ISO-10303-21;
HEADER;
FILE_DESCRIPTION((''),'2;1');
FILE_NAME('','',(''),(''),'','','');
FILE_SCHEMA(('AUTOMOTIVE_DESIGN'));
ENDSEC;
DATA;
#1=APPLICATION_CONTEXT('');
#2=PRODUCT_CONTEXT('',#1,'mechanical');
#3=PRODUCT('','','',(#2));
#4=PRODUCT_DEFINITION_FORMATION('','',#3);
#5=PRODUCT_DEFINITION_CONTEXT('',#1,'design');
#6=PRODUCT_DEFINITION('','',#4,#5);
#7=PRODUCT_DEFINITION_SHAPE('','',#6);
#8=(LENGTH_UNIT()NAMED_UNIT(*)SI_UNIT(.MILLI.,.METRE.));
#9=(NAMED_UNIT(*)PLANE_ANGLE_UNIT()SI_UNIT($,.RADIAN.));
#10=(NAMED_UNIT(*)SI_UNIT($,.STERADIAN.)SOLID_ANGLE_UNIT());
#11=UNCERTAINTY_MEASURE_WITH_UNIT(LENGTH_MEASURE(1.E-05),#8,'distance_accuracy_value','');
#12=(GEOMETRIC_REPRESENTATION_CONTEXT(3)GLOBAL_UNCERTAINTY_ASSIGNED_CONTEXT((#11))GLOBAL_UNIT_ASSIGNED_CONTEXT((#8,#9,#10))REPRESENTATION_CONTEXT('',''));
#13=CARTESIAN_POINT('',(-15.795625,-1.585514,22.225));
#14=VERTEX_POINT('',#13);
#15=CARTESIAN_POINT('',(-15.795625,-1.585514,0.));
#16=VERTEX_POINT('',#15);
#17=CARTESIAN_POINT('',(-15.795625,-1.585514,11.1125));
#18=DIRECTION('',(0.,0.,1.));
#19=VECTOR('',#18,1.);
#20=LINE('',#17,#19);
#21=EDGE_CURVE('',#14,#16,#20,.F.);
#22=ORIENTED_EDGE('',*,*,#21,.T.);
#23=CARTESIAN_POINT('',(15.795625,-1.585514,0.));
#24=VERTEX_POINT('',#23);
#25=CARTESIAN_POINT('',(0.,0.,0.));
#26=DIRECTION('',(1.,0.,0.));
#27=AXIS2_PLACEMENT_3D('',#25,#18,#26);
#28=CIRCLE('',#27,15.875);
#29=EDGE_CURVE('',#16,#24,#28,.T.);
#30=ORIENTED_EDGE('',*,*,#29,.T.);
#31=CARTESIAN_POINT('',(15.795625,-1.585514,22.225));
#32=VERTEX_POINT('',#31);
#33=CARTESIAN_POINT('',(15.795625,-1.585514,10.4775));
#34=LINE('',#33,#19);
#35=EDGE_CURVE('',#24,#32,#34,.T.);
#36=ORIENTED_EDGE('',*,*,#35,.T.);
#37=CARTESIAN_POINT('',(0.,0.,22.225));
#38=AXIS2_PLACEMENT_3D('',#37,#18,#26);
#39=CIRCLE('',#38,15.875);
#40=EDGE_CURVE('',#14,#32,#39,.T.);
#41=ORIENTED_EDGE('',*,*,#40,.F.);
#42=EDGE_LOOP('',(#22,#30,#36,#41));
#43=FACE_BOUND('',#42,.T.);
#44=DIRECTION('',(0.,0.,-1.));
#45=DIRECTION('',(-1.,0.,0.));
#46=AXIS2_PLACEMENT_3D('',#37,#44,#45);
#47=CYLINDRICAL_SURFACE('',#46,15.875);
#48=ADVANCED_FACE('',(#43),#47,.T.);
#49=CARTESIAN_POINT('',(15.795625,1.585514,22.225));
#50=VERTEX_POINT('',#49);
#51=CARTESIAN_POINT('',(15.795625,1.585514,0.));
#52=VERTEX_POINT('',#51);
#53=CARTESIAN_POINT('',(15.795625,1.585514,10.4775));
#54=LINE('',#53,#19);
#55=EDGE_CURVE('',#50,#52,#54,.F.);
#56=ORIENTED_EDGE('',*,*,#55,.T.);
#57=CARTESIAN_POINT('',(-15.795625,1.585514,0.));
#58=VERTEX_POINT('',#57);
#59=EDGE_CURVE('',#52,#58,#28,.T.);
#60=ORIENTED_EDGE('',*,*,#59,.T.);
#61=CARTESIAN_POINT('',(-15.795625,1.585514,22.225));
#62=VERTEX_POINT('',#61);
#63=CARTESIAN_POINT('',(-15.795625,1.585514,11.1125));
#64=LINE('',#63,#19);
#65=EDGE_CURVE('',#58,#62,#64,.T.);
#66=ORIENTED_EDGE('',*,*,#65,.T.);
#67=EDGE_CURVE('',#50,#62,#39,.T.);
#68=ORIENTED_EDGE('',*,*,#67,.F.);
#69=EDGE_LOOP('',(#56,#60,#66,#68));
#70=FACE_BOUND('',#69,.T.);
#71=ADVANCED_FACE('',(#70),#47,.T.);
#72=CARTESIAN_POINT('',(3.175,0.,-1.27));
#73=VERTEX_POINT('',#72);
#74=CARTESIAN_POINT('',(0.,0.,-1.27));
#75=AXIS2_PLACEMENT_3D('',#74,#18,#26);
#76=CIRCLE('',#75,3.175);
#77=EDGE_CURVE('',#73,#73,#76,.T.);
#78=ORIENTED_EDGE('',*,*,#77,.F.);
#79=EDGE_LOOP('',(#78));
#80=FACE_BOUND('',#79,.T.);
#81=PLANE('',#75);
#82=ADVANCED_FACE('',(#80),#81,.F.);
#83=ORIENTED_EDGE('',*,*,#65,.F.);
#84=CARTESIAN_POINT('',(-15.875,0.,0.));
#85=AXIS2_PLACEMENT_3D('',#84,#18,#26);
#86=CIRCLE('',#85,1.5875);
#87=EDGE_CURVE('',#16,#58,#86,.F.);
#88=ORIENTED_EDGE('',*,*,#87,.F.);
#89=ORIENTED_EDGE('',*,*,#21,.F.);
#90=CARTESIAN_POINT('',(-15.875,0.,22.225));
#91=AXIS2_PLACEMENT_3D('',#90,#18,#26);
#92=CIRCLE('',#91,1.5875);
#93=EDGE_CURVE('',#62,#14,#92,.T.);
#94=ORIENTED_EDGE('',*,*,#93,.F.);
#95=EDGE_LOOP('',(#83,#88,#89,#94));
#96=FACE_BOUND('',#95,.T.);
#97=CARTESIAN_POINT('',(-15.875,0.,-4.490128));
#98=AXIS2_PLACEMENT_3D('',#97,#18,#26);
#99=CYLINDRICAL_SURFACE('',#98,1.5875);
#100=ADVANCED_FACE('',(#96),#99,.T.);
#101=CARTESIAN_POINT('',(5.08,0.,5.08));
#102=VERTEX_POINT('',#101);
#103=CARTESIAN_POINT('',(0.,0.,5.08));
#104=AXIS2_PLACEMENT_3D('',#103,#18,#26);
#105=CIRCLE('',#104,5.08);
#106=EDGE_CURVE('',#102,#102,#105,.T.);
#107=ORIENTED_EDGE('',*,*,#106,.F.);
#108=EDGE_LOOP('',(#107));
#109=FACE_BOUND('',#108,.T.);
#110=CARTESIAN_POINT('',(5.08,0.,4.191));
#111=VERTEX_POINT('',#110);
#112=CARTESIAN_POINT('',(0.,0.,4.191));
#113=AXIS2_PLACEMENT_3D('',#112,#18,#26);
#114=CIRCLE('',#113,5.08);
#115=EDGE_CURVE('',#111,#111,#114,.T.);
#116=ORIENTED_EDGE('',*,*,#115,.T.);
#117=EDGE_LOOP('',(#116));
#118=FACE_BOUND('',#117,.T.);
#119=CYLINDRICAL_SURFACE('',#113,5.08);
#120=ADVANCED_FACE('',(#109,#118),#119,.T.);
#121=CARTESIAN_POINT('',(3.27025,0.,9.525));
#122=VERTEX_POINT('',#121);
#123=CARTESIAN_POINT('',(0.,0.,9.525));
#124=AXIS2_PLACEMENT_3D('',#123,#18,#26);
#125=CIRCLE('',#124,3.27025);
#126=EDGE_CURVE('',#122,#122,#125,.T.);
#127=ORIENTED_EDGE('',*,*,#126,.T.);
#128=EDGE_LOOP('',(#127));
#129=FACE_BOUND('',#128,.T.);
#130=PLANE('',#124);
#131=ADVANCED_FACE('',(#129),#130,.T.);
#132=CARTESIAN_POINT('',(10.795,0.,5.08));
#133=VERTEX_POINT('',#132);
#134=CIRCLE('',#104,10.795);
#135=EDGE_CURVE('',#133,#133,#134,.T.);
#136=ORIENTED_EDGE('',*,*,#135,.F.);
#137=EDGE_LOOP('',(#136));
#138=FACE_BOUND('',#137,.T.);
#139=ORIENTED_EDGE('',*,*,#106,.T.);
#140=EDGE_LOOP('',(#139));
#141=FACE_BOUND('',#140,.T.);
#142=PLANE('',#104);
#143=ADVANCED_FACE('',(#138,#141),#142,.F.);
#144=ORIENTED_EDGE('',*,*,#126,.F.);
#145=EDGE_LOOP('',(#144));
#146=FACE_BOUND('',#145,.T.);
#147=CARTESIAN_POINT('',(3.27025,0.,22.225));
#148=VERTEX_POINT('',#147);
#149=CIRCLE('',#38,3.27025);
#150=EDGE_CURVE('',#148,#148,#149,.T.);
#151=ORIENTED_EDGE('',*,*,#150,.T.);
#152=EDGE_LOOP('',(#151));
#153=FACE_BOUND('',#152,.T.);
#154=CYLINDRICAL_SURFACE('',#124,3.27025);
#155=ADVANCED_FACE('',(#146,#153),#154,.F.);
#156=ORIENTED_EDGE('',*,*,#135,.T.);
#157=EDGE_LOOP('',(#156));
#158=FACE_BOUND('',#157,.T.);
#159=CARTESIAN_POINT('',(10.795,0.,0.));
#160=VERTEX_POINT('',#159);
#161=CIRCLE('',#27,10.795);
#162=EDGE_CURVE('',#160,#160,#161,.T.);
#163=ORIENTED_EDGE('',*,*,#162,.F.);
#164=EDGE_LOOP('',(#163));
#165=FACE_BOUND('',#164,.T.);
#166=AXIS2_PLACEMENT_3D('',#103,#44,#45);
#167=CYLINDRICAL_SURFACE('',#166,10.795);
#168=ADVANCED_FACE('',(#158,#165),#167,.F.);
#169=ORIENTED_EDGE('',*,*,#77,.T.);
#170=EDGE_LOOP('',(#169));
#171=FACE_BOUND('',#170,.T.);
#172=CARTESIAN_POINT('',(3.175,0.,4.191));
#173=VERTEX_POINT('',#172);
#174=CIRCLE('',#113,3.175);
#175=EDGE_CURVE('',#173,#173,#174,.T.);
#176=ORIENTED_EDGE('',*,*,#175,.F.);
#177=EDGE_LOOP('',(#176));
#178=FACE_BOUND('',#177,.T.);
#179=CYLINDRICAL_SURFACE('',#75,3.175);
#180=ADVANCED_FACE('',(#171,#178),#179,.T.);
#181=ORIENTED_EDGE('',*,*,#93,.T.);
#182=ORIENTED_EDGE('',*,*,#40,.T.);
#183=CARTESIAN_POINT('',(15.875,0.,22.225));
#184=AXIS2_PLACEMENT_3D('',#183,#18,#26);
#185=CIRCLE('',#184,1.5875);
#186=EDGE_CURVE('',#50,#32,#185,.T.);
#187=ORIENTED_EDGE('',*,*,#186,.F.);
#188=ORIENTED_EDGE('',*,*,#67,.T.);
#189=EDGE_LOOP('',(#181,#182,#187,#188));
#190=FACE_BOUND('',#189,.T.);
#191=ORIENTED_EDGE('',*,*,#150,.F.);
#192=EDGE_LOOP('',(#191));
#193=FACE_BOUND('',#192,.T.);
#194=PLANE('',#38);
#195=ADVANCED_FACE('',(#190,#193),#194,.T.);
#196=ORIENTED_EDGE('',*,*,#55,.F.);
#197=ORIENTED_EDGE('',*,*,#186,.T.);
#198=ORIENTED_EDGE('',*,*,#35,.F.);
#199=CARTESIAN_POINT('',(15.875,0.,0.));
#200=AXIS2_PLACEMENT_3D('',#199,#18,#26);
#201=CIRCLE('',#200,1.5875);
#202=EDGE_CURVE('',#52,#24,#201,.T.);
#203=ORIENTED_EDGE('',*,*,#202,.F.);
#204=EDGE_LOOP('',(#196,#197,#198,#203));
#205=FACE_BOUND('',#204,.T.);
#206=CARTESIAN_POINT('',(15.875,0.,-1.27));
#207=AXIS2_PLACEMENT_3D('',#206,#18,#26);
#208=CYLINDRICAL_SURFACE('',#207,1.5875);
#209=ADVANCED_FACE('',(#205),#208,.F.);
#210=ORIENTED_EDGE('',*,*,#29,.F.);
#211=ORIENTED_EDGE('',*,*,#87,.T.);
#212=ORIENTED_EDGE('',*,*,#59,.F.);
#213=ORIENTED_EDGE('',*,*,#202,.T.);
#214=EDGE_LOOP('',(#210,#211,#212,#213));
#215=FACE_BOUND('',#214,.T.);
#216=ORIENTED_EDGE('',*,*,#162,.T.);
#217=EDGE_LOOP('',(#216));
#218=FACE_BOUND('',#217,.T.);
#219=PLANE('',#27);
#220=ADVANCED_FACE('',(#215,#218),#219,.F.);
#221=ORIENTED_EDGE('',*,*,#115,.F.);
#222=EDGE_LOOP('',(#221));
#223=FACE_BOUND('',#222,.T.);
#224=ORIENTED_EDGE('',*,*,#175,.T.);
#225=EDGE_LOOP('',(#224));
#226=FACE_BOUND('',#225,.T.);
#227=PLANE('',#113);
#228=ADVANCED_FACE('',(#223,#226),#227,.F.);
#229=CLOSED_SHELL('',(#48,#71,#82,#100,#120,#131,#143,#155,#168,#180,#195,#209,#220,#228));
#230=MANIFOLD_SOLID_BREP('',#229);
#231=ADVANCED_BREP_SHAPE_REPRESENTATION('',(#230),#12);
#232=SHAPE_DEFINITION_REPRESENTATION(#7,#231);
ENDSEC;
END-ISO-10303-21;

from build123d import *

# Parameters (mm, degrees)
SKETCH1_R           = 15.875
BOSS_EXTRUDE1_DEPTH = 22.225
SKETCH1_3_R         = 10.795
CUT_EXTRUDE1_DEPTH  = 5.08
BOSS_EXTRUDE2_START = 5.08
SKETCH1_4_R         = 5.08
BOSS_EXTRUDE2_DEPTH = 0.889
BOSS_EXTRUDE3_START = 5.08
SKETCH1_5_R         = 3.175
BOSS_EXTRUDE3_DEPTH = 6.35
SKETCH2_R           = 3.27025
CUT_EXTRUDE2_DEPTH  = 12.7
SKETCH3_R           = 1.5875
CUT_EXTRUDE4_DEPTH  = 24.495
SKETCH3_3_R         = 1.5875
BOSS_EXTRUDE4_DEPTH = 22.225


with BuildPart() as part:
    # Sketch1 → Boss-Extrude1 (new body)
    with BuildSketch(Plane.XY):
        Circle(SKETCH1_R)
    extrude(amount=BOSS_EXTRUDE1_DEPTH)

    # Sketch1<3> → Cut-Extrude1 (cut)
    with BuildSketch(Plane.XY):
        Circle(SKETCH1_3_R)
    extrude(amount=CUT_EXTRUDE1_DEPTH, mode=Mode.SUBTRACT)

    # Sketch1<4> → Boss-Extrude2 (add)
    with BuildSketch(Plane.XY.offset(BOSS_EXTRUDE2_START)):
        Circle(SKETCH1_4_R)
    extrude(amount=-BOSS_EXTRUDE2_DEPTH)

    # Sketch1<5> → Boss-Extrude3 (add)
    with BuildSketch(Plane.XY.offset(BOSS_EXTRUDE3_START)):
        Circle(SKETCH1_5_R)
    extrude(amount=-BOSS_EXTRUDE3_DEPTH)

    # Sketch2 → Cut-Extrude2 (cut)
    with BuildSketch(Plane.XY.offset(22.225)):
        Circle(SKETCH2_R)
    extrude(amount=-CUT_EXTRUDE2_DEPTH, mode=Mode.SUBTRACT)

    # Sketch3 → Cut-Extrude4 (cut, through all)
    with BuildSketch(Plane.XY.offset(22.225)):
        with Locations((15.875, 0)):
            Circle(SKETCH3_R)
    extrude(amount=-CUT_EXTRUDE4_DEPTH, mode=Mode.SUBTRACT)

    # Sketch3<3> → Boss-Extrude4 (add)
    with BuildSketch(Plane.XY.offset(22.225)):
        with Locations((-15.875, 0)):
            Circle(SKETCH3_3_R)
    extrude(amount=-BOSS_EXTRUDE4_DEPTH)


solid = part.part
